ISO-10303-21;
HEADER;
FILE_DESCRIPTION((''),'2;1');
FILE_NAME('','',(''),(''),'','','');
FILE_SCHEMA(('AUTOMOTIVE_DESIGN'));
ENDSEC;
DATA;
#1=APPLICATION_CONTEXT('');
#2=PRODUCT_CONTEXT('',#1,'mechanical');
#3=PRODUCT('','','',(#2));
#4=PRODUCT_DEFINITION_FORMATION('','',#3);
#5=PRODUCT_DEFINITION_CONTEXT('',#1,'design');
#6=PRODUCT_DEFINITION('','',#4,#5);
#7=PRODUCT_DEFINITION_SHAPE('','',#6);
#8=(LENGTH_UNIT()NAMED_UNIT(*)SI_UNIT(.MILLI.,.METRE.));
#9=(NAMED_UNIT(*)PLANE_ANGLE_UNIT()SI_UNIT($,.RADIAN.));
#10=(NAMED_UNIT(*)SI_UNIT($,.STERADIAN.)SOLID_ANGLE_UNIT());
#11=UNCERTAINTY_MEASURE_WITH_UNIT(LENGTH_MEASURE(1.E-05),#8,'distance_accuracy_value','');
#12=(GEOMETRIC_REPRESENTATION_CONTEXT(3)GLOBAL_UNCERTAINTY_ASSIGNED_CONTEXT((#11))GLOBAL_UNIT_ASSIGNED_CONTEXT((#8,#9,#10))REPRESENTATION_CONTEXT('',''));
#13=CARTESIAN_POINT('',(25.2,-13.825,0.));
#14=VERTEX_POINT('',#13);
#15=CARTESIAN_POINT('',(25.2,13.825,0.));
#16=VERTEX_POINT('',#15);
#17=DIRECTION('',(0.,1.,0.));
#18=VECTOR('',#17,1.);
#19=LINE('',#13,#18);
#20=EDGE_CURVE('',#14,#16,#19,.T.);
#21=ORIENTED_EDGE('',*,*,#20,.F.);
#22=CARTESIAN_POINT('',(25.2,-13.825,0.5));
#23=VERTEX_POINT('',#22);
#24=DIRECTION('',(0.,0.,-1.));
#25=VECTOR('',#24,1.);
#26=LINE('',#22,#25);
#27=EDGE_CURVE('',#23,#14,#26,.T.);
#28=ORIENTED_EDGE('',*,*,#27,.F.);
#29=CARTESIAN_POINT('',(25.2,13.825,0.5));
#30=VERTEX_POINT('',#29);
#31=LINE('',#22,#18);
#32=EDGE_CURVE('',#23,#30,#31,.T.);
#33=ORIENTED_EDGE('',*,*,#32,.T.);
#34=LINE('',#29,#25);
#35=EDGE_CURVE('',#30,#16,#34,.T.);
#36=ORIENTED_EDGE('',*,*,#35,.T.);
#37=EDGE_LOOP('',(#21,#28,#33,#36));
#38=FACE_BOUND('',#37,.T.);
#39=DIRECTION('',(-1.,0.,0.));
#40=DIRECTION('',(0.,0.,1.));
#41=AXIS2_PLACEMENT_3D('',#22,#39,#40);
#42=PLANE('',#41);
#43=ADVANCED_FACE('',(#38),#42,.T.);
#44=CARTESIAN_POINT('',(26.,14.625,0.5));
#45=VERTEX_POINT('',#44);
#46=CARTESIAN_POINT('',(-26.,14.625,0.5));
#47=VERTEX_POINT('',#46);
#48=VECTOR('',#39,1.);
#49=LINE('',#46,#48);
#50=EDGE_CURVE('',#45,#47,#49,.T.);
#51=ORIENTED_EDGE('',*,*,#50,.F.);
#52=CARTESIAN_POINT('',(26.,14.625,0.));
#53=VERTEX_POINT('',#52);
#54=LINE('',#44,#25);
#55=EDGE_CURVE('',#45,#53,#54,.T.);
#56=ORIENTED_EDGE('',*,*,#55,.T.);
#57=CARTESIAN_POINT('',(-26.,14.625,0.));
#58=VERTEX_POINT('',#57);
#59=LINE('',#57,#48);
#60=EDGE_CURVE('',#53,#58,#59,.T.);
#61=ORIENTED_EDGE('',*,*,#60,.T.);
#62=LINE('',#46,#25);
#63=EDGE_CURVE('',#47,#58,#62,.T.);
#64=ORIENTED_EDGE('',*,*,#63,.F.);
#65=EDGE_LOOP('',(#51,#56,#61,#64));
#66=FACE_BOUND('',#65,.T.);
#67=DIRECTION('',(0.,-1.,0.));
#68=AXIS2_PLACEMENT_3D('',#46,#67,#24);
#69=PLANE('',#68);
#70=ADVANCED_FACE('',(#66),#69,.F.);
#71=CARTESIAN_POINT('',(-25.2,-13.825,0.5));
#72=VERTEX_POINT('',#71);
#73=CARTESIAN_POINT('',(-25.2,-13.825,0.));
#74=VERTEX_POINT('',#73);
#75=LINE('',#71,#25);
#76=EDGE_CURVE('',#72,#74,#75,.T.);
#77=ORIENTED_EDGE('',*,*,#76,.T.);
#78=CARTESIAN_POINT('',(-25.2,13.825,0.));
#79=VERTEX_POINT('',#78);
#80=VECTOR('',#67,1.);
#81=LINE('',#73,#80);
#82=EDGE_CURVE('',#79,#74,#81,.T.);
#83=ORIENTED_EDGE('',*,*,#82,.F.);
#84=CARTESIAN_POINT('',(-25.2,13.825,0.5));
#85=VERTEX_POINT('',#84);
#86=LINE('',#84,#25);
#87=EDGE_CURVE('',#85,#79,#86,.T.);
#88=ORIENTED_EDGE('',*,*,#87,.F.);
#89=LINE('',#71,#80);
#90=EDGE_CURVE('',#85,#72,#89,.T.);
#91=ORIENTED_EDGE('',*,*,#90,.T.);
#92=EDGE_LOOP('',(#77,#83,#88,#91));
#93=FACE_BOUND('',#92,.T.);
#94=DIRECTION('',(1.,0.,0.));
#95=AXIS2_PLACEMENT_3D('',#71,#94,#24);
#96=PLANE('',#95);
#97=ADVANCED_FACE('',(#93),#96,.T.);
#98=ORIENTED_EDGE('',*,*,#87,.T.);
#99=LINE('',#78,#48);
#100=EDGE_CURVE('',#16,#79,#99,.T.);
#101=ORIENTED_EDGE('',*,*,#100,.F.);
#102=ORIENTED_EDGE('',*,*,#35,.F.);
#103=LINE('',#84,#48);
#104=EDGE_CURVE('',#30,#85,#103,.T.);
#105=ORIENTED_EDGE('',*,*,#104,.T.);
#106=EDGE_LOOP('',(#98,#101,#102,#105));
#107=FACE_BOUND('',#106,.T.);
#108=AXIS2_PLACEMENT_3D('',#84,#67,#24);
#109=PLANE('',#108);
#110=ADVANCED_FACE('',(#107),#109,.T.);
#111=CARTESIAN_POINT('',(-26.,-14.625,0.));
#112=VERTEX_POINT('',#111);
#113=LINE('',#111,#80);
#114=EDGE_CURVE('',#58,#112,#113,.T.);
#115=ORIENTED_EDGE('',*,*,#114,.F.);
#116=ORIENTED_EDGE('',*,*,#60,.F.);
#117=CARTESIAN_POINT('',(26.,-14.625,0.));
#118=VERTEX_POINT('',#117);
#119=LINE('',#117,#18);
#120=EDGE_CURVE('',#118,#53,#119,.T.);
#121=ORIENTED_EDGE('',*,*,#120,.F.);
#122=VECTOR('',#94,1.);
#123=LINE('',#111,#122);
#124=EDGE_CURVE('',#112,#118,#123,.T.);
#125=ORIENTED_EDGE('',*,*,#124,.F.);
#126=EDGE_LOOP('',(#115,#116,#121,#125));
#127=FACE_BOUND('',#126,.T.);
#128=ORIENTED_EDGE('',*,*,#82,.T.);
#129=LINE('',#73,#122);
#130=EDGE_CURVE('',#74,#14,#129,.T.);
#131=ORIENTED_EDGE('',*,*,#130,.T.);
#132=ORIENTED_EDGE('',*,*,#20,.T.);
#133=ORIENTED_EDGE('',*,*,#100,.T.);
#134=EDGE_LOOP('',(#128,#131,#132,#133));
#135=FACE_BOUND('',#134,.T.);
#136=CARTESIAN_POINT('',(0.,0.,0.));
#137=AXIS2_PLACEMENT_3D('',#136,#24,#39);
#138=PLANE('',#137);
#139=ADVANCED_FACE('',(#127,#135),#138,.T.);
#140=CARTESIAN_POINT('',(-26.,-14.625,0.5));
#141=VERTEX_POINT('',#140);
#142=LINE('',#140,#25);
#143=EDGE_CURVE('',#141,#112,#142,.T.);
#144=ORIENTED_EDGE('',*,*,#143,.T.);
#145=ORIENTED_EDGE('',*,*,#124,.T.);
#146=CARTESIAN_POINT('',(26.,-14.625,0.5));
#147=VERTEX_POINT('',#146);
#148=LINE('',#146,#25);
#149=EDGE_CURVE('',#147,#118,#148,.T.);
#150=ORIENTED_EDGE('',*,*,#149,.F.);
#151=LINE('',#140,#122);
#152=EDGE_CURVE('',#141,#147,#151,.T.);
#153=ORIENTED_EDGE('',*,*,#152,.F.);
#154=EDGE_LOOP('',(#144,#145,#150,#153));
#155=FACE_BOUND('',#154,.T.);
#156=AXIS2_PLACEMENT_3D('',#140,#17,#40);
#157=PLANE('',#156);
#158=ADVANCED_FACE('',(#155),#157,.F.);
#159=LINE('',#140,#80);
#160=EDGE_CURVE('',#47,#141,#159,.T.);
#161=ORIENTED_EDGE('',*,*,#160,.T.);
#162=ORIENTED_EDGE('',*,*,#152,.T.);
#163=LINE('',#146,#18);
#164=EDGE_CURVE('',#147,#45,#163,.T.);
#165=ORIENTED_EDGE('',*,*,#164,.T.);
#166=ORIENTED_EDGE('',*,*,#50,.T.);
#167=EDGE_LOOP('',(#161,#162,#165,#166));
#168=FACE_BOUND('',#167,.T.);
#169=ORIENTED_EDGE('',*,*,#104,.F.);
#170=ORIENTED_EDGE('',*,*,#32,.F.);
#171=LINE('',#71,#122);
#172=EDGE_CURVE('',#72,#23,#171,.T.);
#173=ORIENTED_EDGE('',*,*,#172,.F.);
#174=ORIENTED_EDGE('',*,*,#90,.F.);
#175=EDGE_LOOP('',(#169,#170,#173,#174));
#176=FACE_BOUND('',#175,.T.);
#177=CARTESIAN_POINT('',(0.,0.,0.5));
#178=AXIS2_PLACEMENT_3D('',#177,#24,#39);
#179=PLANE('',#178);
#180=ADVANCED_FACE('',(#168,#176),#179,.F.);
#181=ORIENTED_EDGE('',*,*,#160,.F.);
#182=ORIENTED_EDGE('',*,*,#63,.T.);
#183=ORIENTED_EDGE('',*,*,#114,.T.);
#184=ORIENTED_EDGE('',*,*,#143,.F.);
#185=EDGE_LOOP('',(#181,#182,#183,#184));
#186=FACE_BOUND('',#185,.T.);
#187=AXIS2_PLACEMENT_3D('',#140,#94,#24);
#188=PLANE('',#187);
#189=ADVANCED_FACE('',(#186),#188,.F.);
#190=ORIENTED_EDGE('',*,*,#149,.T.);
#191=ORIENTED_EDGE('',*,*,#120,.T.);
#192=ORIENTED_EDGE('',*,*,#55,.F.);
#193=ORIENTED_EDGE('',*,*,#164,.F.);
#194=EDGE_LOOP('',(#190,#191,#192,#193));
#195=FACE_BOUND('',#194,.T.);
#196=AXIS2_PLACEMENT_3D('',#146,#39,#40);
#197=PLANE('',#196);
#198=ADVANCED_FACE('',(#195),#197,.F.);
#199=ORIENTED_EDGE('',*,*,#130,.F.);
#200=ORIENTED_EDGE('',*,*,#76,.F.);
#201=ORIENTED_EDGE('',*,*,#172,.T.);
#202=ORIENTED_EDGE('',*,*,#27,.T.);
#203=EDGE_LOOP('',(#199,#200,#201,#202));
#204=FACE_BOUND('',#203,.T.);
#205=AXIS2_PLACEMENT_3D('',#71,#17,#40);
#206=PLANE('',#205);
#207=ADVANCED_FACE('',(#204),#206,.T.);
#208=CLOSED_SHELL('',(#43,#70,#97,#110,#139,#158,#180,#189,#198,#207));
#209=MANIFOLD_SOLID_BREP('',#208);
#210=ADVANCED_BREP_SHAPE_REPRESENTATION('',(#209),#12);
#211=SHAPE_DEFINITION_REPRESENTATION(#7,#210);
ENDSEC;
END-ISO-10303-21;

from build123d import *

# Parameters (mm, degrees)
SKETCH_1_W      = 52
SKETCH_1_H      = 29.25
SKETCH_1_W_2    = 50.4
SKETCH_1_H_2    = 27.65
EXTRUDE_1_DEPTH = 0.5


with BuildPart() as part:
    # 草图1 → 凸台-拉伸1 (new body)
    with BuildSketch(Plane.XY):
        Rectangle(SKETCH_1_W, SKETCH_1_H)
        Rectangle(SKETCH_1_W_2, SKETCH_1_H_2, mode=Mode.SUBTRACT)
    extrude(amount=EXTRUDE_1_DEPTH)


solid = part.part
